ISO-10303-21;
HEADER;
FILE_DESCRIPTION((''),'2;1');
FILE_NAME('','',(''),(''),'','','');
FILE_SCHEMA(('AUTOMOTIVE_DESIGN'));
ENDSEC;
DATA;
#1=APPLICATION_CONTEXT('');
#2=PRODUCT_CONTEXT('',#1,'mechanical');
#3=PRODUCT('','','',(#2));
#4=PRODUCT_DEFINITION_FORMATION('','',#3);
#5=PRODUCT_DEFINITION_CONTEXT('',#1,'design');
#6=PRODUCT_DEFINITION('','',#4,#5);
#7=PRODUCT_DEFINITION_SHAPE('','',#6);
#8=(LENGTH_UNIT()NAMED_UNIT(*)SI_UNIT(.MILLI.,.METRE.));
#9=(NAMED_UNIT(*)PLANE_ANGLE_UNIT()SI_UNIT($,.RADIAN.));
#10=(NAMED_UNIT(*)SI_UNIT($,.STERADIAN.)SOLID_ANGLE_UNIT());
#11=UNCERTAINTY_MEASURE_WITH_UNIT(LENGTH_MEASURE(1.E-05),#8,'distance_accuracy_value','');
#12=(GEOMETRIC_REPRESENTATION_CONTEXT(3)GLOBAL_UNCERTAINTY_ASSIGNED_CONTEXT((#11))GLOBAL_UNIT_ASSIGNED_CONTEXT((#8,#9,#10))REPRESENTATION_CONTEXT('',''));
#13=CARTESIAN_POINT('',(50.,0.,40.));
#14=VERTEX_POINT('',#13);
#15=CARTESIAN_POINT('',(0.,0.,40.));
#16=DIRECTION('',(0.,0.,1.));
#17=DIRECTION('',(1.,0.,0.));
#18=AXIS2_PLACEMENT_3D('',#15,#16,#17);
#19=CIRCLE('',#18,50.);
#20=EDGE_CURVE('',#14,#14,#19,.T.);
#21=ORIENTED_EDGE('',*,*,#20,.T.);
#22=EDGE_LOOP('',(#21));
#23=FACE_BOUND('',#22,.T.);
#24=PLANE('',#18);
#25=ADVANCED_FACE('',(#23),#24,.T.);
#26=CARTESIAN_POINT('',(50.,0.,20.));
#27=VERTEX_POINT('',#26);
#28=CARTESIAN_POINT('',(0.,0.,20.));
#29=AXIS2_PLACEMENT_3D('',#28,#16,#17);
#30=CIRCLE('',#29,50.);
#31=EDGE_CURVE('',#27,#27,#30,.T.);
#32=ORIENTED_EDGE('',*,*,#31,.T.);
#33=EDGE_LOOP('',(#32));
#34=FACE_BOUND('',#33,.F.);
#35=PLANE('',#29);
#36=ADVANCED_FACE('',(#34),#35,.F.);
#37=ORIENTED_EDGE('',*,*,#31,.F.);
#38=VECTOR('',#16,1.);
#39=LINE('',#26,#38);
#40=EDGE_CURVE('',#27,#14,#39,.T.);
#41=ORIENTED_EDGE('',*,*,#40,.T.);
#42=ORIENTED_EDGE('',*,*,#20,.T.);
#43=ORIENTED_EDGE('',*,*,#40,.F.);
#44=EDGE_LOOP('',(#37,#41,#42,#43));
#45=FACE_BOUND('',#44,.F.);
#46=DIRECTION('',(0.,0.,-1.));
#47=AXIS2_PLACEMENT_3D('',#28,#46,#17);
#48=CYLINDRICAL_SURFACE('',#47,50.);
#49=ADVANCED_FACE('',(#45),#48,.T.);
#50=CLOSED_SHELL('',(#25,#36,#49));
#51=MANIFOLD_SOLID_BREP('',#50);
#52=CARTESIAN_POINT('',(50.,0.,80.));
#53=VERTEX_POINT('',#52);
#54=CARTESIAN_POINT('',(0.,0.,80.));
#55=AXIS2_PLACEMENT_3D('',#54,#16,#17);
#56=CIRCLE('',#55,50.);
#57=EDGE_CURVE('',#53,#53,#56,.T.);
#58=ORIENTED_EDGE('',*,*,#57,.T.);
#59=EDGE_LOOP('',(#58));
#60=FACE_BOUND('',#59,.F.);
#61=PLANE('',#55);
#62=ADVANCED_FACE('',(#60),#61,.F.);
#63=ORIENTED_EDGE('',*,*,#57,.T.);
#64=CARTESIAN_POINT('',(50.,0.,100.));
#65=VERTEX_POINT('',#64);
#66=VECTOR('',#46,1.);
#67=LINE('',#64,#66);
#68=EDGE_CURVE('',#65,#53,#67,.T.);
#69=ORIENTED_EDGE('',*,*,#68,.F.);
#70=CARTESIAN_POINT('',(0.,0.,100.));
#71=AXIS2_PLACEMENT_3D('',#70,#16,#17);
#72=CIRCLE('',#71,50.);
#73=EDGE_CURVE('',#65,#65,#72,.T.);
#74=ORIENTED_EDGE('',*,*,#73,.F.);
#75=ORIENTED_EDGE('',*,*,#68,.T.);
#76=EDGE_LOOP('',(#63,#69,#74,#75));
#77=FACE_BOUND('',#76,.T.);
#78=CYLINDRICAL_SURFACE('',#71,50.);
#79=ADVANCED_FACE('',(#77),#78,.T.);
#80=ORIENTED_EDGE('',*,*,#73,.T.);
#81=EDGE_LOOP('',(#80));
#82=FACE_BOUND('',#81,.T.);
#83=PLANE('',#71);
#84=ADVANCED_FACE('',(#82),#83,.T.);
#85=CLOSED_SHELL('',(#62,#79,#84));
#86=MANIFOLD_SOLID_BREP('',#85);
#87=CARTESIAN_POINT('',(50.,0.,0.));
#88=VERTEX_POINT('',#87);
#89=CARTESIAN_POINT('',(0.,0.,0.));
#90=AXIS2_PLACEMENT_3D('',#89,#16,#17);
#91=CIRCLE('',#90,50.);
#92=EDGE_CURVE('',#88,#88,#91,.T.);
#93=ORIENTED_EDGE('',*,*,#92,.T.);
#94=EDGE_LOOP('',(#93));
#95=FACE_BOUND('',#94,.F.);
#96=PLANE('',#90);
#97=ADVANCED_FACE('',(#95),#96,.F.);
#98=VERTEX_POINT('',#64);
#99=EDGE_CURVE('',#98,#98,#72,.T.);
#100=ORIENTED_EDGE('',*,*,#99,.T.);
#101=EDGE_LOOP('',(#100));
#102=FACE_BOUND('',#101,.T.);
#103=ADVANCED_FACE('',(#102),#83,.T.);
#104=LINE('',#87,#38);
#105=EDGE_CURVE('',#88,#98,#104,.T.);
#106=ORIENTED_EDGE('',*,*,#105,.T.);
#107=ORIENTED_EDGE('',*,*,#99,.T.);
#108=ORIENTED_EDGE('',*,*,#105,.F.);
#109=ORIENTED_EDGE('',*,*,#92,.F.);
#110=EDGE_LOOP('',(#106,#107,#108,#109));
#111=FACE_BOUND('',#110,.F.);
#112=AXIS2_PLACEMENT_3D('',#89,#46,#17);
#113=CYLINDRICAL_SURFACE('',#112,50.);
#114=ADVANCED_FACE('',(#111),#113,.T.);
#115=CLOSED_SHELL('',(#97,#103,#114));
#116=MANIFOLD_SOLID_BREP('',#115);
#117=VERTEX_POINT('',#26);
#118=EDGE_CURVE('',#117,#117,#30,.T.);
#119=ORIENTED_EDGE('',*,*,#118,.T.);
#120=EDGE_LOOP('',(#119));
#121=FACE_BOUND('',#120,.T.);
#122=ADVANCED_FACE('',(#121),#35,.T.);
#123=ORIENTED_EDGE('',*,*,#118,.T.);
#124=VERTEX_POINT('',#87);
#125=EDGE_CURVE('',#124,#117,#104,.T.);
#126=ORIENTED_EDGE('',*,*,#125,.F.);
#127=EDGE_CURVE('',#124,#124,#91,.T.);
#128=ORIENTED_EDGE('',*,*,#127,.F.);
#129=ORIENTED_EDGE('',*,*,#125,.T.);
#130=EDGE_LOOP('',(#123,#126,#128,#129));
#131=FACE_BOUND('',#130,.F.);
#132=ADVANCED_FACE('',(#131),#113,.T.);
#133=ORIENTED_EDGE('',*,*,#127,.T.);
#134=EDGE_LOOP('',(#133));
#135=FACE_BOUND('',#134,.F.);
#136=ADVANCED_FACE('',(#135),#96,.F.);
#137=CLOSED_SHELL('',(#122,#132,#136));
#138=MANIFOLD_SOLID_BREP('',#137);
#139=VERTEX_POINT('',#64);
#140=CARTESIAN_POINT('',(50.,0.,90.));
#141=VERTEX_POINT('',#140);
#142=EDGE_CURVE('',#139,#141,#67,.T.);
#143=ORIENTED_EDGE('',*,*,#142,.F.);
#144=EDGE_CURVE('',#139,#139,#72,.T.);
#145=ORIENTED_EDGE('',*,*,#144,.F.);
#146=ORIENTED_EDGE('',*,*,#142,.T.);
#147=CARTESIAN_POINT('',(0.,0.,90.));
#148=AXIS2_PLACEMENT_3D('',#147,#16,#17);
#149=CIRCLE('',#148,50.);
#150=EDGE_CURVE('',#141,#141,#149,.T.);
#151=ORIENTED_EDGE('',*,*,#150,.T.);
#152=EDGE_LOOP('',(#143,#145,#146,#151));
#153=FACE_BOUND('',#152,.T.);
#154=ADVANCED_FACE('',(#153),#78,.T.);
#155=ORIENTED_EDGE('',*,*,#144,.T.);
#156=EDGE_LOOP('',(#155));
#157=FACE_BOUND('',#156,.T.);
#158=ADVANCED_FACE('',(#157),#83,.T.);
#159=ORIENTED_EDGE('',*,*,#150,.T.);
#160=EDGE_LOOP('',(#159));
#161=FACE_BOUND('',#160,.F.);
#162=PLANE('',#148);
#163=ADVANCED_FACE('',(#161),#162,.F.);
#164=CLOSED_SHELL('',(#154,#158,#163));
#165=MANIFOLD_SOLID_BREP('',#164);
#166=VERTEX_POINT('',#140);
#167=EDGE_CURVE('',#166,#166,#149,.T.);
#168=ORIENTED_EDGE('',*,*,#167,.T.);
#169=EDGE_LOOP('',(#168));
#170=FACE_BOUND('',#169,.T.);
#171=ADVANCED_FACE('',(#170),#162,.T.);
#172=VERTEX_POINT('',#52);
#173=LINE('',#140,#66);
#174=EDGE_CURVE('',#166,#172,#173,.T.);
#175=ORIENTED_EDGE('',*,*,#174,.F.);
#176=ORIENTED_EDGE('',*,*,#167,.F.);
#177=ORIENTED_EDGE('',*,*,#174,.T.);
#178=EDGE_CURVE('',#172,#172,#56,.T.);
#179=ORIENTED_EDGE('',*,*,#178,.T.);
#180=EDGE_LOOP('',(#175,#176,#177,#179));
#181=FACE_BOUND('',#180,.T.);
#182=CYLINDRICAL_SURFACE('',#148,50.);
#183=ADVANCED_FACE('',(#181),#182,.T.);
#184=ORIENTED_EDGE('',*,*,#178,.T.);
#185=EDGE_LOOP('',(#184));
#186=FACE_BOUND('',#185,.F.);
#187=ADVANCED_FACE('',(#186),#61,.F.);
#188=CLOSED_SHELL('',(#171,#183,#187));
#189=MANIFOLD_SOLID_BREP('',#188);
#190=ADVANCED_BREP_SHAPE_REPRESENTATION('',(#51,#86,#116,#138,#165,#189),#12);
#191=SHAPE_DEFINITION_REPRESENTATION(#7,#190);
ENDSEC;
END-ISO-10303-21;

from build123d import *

# Parameters (mm, degrees)
F0_R     = 50
F1_DEPTH = 20
F2_R     = 50
F3_DEPTH = 20
F4_DEPTH = 100
F5_DEPTH = 20
F6_DEPTH = 10
F7_DEPTH = 10


with BuildPart() as f1:
    # F0 (on Top) → F1 (new body)
    with BuildSketch(Plane.XY):
        Circle(F0_R)
    extrude(amount=F1_DEPTH)


with BuildPart() as f3:
    # F2 (on face) → F3 (new body)
    with BuildSketch(Plane.XY.offset(20)):
        Circle(F2_R)
    extrude(amount=F3_DEPTH)


with BuildPart() as f4:
    # F0 (on Top) → F4 (new body)
    with BuildSketch(Plane.XY):
        Circle(F0_R)
    extrude(amount=F4_DEPTH)


with BuildPart() as f5:
    # F5 (new): a face of the model
    f5_faces = [f4.part.faces().sort_by_distance(p)[0] for p in [
        (0, 0, 100),
    ]]
    extrude(f5_faces, amount=-F5_DEPTH)


with BuildPart() as f6:
    # F6 (new): a face of the model
    f6_faces = [f5.part.faces().sort_by_distance(p)[0] for p in [
        (0, 0, 100),
    ]]
    extrude(f6_faces, amount=-F6_DEPTH)


with BuildPart() as f7:
    # F7 (new): a face of the model
    f7_faces = [f6.part.faces().sort_by_distance(p)[0] for p in [
        (0, 0, 90),
    ]]
    extrude(f7_faces, amount=F7_DEPTH)


solid = Compound([f1.part, f3.part, f4.part, f5.part, f6.part, f7.part])
